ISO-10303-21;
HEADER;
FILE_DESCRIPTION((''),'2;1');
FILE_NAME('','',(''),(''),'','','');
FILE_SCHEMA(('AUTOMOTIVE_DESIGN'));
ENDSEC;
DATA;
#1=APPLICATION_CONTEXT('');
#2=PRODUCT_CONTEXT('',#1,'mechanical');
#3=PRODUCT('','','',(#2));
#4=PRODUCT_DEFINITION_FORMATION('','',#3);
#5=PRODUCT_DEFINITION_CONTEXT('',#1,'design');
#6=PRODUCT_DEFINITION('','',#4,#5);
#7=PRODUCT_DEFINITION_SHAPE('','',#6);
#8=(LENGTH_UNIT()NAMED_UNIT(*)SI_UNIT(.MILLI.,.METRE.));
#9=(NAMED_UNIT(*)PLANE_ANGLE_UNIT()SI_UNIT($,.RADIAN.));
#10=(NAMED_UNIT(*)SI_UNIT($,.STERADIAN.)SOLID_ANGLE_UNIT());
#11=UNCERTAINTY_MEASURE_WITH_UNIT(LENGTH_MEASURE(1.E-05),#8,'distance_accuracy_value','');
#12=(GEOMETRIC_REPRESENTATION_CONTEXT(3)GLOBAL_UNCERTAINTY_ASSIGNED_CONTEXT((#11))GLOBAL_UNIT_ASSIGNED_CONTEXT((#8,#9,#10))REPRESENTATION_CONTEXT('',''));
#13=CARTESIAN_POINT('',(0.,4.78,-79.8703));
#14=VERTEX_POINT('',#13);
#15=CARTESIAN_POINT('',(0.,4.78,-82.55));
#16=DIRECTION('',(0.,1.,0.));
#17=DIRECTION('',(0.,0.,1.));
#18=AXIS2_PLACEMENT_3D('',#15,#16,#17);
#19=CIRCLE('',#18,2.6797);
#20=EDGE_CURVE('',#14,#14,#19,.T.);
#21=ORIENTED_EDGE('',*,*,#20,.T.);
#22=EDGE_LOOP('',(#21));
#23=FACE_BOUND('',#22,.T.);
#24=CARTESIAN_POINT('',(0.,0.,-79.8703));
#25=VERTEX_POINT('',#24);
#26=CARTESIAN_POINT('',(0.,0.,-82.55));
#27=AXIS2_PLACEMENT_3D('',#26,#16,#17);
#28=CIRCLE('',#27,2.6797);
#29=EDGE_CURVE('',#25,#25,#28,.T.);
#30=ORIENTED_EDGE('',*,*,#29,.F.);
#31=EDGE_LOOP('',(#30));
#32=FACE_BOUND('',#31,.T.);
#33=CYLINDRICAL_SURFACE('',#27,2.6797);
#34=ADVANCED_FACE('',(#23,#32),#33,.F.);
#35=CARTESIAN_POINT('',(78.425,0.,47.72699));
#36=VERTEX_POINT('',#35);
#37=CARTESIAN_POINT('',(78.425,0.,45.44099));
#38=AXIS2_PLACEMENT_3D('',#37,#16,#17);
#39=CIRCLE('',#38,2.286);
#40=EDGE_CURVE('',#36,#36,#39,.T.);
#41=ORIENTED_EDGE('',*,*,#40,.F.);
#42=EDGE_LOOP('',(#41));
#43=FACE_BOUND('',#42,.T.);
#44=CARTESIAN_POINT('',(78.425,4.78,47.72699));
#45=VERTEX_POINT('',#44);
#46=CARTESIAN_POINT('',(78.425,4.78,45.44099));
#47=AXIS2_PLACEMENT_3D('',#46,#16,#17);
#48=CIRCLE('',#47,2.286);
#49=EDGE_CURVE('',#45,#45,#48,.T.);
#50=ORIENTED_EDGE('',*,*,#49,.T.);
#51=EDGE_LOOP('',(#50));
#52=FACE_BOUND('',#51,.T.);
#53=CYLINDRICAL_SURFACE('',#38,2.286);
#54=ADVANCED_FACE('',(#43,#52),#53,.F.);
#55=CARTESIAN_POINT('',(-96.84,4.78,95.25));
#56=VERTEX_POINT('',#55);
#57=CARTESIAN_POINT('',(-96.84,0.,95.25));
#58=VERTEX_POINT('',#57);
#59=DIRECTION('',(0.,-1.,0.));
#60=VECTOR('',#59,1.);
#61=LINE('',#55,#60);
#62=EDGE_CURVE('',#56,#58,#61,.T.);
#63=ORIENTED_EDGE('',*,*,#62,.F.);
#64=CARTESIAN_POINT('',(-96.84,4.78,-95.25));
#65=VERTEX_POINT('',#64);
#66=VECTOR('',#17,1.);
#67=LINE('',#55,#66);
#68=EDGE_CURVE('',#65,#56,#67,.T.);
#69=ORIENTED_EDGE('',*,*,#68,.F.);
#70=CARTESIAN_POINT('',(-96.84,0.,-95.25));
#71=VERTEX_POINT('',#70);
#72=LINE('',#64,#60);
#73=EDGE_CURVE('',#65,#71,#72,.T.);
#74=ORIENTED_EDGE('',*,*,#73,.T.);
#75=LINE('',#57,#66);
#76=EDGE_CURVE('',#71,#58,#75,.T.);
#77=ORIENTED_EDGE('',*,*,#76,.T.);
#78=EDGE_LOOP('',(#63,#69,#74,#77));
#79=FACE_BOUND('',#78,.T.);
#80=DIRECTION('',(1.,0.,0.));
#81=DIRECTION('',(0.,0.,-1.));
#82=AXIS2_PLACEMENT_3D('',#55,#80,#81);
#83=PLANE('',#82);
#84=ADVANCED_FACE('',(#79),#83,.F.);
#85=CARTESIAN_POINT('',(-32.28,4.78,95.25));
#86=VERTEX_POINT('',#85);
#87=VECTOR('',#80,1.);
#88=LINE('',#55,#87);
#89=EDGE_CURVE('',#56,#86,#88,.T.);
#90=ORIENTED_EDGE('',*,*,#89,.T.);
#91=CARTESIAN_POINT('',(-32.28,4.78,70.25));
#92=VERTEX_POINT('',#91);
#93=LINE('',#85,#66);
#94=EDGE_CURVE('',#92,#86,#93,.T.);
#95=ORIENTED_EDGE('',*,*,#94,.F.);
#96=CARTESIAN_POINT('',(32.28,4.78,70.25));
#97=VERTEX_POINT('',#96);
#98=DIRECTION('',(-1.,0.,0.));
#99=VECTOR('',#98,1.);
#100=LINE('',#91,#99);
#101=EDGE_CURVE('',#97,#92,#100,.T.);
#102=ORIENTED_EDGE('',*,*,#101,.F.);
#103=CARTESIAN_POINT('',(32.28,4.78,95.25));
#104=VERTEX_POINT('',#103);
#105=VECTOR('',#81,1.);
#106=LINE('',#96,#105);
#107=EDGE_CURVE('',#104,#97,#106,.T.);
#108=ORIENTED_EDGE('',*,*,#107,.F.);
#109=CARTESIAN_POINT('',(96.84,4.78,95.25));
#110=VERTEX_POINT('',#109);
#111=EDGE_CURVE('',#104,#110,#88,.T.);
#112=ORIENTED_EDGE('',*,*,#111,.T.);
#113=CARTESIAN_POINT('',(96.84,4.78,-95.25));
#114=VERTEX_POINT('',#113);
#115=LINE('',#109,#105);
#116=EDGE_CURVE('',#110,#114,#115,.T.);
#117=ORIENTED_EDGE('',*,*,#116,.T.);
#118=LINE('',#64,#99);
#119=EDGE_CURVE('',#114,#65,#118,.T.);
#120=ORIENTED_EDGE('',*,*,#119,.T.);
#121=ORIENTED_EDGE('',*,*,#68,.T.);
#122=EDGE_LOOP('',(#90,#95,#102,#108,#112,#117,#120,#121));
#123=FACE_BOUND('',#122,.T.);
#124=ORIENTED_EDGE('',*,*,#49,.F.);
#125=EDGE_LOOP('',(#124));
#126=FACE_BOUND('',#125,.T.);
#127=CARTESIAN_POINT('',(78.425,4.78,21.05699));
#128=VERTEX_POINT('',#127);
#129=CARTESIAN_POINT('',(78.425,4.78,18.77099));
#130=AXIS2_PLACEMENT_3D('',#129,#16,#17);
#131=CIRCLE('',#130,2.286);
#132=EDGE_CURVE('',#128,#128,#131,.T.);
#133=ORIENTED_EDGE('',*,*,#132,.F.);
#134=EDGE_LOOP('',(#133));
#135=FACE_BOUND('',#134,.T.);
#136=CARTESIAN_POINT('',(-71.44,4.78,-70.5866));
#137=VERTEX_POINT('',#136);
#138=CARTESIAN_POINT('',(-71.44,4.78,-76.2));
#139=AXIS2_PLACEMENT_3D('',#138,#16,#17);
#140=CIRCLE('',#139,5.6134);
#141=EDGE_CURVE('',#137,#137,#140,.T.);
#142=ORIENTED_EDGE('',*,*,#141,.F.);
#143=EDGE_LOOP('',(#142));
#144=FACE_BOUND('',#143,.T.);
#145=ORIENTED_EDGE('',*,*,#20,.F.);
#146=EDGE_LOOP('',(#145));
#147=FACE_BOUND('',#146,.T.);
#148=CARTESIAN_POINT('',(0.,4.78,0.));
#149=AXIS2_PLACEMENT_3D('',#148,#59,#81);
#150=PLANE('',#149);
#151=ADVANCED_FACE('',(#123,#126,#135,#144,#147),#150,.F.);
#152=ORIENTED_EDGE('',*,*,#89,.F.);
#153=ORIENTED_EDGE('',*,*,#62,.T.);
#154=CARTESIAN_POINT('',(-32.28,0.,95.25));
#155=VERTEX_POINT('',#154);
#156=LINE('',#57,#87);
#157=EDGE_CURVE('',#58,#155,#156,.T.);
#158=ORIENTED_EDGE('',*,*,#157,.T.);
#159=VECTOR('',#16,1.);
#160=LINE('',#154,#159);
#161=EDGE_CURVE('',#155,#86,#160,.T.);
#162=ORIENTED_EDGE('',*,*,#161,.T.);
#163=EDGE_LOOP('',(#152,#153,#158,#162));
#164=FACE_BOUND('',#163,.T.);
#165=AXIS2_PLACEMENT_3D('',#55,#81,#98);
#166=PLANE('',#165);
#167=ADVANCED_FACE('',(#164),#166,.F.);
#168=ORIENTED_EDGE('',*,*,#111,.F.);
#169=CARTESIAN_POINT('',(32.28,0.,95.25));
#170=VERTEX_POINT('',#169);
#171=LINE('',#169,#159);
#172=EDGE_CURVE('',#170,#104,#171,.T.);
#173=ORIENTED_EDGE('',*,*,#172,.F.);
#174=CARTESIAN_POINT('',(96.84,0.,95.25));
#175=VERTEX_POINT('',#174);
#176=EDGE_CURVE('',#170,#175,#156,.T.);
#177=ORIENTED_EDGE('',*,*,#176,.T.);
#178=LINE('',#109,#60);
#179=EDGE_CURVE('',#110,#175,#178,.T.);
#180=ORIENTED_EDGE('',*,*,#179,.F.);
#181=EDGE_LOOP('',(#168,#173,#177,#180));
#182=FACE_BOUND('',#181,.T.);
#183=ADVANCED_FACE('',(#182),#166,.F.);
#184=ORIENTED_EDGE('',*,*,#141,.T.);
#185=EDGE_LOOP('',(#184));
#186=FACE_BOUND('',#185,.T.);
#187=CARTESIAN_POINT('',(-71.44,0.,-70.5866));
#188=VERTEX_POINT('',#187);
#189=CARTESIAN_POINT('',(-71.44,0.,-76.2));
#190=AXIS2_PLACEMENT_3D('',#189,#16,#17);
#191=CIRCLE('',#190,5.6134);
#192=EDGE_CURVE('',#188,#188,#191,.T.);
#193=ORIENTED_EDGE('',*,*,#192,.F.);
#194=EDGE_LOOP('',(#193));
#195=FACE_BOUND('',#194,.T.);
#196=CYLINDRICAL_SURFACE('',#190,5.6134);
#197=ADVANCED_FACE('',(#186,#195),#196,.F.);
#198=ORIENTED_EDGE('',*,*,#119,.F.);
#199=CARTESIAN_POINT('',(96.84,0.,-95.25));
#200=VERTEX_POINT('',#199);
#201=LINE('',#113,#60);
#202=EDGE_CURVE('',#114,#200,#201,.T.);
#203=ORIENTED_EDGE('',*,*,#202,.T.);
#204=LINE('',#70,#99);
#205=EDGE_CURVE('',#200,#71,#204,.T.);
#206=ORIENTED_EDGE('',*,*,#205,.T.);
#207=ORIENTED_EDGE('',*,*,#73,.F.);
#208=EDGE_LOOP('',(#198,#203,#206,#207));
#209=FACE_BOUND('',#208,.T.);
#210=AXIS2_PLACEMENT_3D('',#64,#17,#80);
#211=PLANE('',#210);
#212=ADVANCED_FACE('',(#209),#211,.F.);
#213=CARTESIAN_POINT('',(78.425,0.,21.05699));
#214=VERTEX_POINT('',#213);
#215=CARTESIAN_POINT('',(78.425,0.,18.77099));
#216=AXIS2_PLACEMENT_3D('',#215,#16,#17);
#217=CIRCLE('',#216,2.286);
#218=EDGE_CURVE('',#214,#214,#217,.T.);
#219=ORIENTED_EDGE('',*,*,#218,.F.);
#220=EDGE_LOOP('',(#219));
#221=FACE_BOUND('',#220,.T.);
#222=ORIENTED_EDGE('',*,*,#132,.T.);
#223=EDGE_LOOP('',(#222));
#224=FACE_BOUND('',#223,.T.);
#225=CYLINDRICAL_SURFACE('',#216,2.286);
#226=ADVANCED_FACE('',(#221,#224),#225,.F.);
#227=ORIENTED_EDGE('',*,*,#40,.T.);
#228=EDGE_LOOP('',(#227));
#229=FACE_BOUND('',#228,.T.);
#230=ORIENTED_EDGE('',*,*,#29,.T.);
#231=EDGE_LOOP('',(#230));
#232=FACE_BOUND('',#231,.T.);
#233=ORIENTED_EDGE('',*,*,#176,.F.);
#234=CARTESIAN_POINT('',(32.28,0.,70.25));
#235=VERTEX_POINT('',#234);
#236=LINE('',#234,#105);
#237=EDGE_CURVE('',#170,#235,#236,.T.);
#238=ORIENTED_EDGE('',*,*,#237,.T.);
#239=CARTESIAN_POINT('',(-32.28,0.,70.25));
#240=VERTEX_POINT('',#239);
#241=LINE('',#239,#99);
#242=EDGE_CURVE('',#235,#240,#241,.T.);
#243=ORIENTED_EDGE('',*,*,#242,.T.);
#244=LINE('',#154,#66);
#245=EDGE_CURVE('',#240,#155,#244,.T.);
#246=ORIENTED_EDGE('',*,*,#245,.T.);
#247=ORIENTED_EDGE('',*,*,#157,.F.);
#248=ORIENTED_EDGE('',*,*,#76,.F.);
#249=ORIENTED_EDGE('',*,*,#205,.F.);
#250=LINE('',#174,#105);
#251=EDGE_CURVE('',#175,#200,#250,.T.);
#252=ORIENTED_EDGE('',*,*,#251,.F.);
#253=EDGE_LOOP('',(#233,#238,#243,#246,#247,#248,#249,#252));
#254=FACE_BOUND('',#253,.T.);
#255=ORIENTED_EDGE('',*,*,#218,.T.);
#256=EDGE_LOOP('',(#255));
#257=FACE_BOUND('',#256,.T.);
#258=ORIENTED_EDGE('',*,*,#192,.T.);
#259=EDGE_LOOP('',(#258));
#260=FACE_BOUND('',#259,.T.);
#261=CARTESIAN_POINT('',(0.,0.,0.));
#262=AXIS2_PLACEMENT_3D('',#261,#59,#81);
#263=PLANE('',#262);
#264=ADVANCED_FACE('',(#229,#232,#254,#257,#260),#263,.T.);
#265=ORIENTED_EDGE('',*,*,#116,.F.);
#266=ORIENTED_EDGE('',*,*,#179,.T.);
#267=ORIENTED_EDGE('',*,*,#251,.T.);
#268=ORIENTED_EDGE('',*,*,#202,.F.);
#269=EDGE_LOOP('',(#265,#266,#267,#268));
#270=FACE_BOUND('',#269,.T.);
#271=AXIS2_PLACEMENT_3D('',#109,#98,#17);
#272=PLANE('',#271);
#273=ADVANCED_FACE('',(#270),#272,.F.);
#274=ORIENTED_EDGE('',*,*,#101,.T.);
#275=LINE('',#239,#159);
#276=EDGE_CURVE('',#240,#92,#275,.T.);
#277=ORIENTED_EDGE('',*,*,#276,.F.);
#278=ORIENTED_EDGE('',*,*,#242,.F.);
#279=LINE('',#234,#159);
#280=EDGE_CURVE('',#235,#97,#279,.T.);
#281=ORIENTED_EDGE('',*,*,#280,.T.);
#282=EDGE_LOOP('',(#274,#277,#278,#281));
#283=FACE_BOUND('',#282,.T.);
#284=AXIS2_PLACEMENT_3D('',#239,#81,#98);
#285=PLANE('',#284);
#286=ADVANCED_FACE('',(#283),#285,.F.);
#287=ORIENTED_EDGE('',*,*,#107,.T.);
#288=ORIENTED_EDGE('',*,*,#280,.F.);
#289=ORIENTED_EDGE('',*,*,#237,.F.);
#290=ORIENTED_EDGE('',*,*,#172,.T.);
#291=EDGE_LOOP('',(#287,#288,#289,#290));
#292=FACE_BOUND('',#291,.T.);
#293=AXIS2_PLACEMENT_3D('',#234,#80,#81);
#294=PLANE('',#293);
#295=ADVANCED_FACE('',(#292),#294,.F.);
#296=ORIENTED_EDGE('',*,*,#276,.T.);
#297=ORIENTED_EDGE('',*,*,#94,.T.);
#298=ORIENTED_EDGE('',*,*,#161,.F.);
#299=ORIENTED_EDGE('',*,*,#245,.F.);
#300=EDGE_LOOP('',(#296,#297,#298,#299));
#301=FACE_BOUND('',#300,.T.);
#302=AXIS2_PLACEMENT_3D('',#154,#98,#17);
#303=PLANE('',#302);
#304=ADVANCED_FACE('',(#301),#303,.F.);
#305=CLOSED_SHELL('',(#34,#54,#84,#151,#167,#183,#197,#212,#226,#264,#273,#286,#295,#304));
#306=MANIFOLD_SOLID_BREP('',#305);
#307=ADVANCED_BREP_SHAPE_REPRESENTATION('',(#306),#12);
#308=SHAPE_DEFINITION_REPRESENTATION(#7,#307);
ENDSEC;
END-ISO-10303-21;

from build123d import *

# Parameters (mm, degrees)
SKETCH1_W           = 193.68
SKETCH1_H           = 190.5
BOSS_EXTRUDE1_DEPTH = 4.78
SKETCH2_R           = 2.6797
CUT_EXTRUDE1_DEPTH  = 5.78
CUT_EXTRUDE2_DEPTH  = 5.78
SKETCH5_R           = 2.286
SKETCH5_R_2         = 5.6134
CUT_EXTRUDE3_DEPTH  = 5.78


with BuildPart() as part:
    # Sketch1 → Boss-Extrude1 (new body)
    with BuildSketch(Plane(origin=(0, 0, 0), x_dir=(1, 0, 0), z_dir=(0, 1, 0))):
        Rectangle(SKETCH1_W, SKETCH1_H)
    extrude(amount=BOSS_EXTRUDE1_DEPTH)

    # Sketch2 → Cut-Extrude1 (cut, through all)
    with BuildSketch(Plane(origin=(0, 4.78, 0), x_dir=(1, 0, 0), z_dir=(0, 1, 0))):
        with Locations((0, 82.55)):
            Circle(SKETCH2_R)
    extrude(amount=-CUT_EXTRUDE1_DEPTH, mode=Mode.SUBTRACT)

    # Sketch3 → Cut-Extrude2 (cut, through all)
    with BuildSketch(Plane(origin=(0, 4.78, 0), x_dir=(1, 0, 0), z_dir=(0, 1, 0))):
        Polygon((0, -95.25), (-32.28, -95.25), (-32.28, -70.249999962), (32.28, -70.249999962), (32.28, -95.25), align=None)
    extrude(amount=-CUT_EXTRUDE2_DEPTH, mode=Mode.SUBTRACT)

    # Sketch5 → Cut-Extrude3 (cut, through all)
    with BuildSketch(Plane(origin=(0, 4.78, 0), x_dir=(1, 0, 0), z_dir=(0, 1, 0))):
        with Locations((78.425, -18.77099)):
            Circle(SKETCH5_R)
        with Locations((78.425, -45.44099)):
            Circle(SKETCH5_R)
        with Locations((-71.44, 76.2)):
            Circle(SKETCH5_R_2)
    extrude(amount=-CUT_EXTRUDE3_DEPTH, mode=Mode.SUBTRACT)


solid = part.part
